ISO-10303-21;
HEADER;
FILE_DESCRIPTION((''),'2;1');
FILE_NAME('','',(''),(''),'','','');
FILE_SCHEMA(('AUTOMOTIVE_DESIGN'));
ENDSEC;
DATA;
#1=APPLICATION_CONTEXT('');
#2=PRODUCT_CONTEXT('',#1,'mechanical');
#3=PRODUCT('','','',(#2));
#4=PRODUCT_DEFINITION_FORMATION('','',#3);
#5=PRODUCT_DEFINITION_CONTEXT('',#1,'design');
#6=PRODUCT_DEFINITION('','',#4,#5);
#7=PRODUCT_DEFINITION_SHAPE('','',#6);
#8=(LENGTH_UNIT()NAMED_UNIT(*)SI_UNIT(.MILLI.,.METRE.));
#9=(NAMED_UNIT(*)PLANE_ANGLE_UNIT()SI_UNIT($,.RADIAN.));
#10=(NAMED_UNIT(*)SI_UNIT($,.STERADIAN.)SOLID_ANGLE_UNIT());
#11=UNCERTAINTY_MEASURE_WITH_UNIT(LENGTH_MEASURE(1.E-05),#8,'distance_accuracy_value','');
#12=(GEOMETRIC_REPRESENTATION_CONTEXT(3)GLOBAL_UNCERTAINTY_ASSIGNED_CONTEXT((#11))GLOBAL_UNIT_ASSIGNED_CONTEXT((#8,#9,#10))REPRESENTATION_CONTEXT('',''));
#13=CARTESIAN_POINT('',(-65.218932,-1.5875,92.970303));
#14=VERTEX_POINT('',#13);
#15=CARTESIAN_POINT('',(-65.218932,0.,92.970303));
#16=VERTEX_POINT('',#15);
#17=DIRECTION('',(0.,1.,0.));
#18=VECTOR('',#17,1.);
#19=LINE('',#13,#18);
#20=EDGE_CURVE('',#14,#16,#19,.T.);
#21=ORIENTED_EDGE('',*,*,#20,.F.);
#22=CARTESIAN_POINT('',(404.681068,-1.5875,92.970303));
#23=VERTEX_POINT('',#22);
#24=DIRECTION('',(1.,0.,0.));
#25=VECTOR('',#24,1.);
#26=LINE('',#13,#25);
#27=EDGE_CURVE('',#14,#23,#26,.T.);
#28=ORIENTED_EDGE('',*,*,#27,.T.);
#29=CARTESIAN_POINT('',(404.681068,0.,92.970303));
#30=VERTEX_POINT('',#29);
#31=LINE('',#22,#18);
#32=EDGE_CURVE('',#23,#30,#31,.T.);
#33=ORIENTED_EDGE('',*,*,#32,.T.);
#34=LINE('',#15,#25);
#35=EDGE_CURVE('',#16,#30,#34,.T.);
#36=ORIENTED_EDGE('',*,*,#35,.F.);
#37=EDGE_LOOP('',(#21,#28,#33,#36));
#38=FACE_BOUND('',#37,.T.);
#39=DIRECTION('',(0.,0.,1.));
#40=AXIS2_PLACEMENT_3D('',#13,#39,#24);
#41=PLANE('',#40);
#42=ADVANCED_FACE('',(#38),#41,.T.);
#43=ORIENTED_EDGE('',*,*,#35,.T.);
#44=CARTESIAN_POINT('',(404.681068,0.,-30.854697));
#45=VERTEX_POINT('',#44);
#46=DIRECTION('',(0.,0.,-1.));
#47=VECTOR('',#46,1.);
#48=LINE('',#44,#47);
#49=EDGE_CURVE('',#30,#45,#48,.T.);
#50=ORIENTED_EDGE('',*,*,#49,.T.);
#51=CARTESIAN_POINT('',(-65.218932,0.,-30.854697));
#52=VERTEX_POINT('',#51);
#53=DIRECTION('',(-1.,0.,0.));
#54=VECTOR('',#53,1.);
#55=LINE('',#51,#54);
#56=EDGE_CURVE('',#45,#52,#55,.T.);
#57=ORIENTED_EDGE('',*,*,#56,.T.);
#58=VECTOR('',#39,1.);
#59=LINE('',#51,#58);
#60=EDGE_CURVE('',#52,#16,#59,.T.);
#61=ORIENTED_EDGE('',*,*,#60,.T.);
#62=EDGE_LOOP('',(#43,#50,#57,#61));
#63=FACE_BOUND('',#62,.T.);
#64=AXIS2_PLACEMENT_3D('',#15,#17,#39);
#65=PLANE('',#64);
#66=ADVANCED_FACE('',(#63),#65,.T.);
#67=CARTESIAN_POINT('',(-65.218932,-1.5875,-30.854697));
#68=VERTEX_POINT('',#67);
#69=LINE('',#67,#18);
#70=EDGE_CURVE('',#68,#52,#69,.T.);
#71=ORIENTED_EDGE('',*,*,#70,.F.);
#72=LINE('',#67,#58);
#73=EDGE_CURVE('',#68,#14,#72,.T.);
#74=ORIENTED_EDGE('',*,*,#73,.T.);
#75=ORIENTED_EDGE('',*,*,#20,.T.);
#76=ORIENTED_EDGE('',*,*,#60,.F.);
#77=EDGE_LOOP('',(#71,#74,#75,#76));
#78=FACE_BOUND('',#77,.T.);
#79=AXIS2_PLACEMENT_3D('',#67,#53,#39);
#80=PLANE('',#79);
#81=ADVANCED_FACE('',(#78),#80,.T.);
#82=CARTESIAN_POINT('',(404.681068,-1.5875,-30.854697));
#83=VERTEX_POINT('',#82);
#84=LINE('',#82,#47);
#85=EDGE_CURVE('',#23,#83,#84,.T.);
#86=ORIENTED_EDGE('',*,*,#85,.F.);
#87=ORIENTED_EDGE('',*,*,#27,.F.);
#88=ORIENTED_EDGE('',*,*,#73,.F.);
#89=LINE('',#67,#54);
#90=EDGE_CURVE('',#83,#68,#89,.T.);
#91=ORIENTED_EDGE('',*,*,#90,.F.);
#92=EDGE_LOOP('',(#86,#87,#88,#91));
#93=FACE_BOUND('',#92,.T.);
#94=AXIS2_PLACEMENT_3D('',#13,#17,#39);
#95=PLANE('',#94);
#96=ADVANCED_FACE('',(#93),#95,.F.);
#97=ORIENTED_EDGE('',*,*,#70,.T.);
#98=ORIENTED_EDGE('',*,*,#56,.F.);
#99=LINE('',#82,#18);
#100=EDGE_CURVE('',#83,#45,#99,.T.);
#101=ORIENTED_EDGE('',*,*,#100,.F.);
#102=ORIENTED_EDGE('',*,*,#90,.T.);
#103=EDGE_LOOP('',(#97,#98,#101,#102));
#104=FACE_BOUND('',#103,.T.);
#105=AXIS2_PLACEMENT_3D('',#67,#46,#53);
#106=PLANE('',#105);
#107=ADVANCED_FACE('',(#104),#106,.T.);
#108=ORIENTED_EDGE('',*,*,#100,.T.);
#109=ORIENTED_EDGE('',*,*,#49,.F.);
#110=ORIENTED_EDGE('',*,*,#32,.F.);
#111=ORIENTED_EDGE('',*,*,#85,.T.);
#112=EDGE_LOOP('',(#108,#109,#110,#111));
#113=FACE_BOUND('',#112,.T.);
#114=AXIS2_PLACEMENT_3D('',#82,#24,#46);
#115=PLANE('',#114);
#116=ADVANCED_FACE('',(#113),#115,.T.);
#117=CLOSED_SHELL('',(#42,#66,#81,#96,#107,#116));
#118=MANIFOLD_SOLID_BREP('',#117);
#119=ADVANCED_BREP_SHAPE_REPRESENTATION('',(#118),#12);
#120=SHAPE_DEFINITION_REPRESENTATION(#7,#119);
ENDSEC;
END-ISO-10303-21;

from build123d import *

# Parameters (mm, degrees)
SKETCH1_W           = 469.9
SKETCH1_H           = 123.825
BOSS_EXTRUDE1_DEPTH = 1.5875


with BuildPart() as part:
    # Sketch1 → Boss-Extrude1 (new body)
    with BuildSketch(Plane(origin=(0, 0, 0), x_dir=(1, 0, 0), z_dir=(0, 1, 0))):
        with Locations((169.731067505, -31.057803237)):
            Rectangle(SKETCH1_W, SKETCH1_H)
    extrude(amount=-BOSS_EXTRUDE1_DEPTH)


solid = part.part
